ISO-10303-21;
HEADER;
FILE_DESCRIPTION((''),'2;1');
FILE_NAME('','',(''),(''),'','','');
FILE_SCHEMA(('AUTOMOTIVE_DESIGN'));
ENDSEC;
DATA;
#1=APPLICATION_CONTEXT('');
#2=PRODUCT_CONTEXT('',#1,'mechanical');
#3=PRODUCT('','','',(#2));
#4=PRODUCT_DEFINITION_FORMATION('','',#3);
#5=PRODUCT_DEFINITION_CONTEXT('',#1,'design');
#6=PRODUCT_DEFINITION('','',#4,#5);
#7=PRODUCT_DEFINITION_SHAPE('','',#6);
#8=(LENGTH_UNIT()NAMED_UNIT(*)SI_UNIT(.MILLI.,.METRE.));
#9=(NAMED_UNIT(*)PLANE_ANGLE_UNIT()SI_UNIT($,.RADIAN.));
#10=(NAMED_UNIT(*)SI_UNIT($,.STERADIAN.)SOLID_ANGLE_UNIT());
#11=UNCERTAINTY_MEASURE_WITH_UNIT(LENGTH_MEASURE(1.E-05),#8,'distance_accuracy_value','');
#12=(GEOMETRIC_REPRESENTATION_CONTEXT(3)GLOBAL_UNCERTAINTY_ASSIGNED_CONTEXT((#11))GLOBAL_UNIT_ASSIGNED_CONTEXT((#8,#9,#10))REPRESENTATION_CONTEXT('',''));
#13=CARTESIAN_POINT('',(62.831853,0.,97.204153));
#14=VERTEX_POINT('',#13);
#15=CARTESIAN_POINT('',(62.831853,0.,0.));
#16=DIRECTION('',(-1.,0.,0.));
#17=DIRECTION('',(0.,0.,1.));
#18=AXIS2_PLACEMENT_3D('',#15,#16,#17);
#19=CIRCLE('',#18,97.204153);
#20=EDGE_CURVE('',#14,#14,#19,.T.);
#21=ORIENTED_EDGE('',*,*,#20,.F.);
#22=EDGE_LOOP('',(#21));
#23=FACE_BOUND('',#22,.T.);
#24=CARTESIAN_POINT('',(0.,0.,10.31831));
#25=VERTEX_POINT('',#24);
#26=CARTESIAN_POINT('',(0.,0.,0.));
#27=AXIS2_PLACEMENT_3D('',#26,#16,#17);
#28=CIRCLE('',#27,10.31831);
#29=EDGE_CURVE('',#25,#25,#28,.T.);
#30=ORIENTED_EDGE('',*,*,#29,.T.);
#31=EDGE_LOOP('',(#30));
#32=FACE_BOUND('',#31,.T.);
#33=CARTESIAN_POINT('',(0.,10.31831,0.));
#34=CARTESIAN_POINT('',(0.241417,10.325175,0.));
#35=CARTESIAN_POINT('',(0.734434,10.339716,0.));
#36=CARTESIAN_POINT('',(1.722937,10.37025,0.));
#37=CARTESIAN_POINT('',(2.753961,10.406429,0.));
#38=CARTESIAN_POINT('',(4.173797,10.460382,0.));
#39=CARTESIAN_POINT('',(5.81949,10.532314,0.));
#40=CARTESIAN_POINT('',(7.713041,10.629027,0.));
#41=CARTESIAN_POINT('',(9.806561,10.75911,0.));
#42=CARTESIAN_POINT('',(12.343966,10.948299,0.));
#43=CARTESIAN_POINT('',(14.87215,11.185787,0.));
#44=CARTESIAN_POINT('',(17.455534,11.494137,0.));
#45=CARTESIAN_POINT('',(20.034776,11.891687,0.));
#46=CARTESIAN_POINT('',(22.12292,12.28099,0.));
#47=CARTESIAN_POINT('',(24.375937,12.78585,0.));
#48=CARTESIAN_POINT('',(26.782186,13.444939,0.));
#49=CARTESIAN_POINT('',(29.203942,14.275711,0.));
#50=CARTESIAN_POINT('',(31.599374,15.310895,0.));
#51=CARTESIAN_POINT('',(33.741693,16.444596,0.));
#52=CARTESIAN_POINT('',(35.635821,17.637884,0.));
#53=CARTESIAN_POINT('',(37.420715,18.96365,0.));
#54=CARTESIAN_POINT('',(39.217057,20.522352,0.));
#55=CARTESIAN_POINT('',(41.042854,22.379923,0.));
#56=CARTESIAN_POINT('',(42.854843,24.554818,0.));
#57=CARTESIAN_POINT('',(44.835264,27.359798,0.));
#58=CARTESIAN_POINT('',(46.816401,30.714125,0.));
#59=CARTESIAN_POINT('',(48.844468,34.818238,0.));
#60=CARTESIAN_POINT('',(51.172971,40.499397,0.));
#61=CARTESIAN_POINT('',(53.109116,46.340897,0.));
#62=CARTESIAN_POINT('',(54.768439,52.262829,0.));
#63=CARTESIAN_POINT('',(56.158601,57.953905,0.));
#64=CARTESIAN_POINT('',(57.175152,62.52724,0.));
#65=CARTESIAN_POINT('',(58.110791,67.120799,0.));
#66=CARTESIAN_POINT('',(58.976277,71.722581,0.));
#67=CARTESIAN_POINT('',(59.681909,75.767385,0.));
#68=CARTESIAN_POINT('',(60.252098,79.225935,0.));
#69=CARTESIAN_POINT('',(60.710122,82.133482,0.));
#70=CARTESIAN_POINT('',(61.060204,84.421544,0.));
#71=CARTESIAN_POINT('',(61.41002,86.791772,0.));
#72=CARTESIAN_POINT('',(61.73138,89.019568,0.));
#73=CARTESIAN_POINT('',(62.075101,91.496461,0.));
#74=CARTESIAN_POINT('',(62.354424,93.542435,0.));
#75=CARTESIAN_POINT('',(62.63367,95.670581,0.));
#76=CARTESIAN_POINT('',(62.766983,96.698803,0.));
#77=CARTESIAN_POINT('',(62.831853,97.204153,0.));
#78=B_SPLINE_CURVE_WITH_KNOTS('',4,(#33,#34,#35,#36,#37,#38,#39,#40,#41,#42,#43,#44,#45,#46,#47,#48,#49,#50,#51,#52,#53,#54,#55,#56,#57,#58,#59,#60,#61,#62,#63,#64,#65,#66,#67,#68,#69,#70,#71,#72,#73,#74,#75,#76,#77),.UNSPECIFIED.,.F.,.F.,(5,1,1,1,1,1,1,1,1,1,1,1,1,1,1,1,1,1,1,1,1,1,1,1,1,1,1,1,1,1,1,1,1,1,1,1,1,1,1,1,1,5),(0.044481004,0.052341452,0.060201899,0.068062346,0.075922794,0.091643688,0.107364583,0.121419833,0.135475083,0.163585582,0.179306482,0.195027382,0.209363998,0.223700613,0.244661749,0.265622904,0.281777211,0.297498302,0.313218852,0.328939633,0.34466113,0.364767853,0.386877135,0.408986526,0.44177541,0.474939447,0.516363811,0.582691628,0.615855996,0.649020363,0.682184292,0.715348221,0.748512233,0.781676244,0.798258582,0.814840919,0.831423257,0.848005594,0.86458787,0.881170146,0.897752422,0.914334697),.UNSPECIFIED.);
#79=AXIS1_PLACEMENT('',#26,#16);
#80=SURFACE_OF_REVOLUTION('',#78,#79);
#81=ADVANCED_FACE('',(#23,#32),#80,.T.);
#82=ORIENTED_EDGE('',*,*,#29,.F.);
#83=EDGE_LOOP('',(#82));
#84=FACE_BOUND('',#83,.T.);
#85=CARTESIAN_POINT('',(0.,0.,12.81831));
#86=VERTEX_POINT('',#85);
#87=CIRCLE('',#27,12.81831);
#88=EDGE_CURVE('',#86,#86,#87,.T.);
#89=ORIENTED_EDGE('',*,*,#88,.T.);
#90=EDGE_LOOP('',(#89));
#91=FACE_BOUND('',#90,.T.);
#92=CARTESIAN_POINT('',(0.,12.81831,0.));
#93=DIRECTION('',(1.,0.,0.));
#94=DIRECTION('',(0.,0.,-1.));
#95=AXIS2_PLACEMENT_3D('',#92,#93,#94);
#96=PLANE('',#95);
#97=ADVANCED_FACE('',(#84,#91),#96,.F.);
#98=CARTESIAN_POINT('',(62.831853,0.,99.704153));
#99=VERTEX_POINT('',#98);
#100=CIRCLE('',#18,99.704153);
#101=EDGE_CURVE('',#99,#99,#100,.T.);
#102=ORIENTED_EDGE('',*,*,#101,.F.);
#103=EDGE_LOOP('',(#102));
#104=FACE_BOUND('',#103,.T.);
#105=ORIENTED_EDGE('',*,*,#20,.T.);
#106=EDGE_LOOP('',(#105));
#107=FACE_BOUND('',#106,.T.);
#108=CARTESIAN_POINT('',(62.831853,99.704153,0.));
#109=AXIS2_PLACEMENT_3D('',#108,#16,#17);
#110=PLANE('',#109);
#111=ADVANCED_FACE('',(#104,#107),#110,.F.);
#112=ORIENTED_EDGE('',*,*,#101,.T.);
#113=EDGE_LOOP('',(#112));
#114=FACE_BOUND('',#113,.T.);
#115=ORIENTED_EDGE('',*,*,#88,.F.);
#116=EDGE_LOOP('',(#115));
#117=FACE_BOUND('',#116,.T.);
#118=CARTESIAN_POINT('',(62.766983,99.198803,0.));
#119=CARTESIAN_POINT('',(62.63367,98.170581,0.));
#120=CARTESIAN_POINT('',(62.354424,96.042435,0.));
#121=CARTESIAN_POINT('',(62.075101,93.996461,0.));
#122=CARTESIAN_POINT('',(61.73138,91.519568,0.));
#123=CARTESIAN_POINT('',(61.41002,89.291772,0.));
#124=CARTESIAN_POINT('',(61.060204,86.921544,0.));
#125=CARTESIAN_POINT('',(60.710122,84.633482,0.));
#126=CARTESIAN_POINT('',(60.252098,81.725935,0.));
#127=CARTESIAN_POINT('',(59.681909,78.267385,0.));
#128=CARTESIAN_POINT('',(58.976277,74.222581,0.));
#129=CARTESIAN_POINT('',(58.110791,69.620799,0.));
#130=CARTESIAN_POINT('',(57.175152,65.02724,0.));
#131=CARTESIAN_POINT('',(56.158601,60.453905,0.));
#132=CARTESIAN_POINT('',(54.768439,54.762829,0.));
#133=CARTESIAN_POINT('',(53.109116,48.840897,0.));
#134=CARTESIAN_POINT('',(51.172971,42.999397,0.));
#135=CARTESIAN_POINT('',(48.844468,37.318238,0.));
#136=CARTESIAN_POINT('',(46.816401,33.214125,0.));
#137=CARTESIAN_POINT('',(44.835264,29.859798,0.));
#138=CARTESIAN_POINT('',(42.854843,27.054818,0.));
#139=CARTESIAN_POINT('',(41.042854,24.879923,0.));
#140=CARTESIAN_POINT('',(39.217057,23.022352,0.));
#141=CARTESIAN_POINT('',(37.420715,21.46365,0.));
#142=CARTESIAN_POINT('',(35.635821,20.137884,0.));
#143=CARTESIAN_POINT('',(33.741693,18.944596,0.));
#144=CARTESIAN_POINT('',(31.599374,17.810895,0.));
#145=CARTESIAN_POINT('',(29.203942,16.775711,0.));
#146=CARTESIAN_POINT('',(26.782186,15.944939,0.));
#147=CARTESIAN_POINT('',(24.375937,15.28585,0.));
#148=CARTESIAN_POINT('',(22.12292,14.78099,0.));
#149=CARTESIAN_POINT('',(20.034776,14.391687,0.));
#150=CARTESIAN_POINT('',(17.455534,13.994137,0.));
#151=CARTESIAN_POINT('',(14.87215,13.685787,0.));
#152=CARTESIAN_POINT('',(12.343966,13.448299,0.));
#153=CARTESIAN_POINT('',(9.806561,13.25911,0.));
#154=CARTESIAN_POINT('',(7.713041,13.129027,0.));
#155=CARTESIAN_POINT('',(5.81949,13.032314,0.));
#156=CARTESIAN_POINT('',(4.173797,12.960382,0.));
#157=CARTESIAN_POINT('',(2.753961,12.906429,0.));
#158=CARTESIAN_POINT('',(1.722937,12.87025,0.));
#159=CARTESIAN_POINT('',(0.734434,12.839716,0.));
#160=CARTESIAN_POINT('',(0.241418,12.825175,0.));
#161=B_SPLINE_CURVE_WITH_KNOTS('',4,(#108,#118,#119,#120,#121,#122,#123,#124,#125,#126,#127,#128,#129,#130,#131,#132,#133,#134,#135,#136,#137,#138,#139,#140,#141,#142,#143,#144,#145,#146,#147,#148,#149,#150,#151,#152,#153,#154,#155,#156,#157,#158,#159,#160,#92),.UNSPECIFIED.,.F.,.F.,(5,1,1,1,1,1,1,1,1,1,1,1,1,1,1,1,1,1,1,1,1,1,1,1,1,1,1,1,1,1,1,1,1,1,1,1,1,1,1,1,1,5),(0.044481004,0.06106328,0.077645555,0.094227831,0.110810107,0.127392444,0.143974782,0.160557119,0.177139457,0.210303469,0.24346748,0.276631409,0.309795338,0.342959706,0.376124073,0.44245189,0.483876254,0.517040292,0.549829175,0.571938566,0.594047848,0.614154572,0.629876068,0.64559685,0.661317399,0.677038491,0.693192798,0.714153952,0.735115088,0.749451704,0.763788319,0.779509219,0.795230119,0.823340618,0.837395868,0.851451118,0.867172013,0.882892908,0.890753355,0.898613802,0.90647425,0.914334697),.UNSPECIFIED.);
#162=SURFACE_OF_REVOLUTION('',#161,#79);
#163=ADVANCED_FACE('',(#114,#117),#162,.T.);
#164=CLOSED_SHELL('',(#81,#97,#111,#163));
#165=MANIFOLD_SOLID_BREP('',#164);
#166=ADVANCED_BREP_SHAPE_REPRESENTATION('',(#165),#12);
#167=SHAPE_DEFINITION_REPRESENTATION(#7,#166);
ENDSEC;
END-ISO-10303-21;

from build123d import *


with BuildPart() as part:
    # Sketch7 → Revolve1 (revolve)
    with BuildSketch(Plane.XY):
        with BuildLine():
            Line((0, 12.818309886), (0, 10.318309885))
            add(Edge.make_bspline(
                [(0, 10.318309885), (0.241417495, 10.32517476), (0.734433944, 10.339715811), (1.722937152, 10.37024976), (2.753961006, 10.406429018), (4.173796698, 10.460382124), (5.819490093, 10.532314215), (7.713041475, 10.629027344), (9.806560842, 10.759110102), (12.343965648, 10.948299111), (14.872149513, 11.18578719), (17.455534085, 11.494136809), (20.034775627, 11.891687062), (22.122919883, 12.280990003), (24.375936647, 12.785849507), (26.782186189, 13.444939122), (29.20394228, 14.275710799), (31.599374317, 15.310895211), (33.741692526, 16.444596155), (35.635821437, 17.637884373), (37.420714534, 18.963650188), (39.217056869, 20.522352313), (41.042853922, 22.37992281), (42.854842835, 24.55481762), (44.835264408, 27.359797639), (46.816401208, 30.714124754), (48.844467735, 34.818237912), (51.172970998, 40.499397041), (53.10911629, 46.340896677), (54.768438732, 52.262828847), (56.158600941, 57.953904573), (57.175152361, 62.527239728), (58.110791022, 67.120799293), (58.976277277, 71.722581309), (59.681909052, 75.767384908), (60.252098155, 79.225934732), (60.710122374, 82.133482088), (61.060203839, 84.42154378), (61.410020234, 86.79177214), (61.73138015, 89.019567857), (62.075101391, 91.496460827), (62.354424208, 93.542434665), (62.633670193, 95.670580979), (62.766983469, 96.698802786), (62.831853072, 97.204152676)],
                knots=[0.044481004, 0.044481004, 0.044481004, 0.044481004, 0.044481004, 0.052341452, 0.060201899, 0.068062346, 0.075922794, 0.091643688, 0.107364583, 0.121419833, 0.135475083, 0.163585582, 0.179306482, 0.195027382, 0.209363998, 0.223700613, 0.244661749, 0.265622904, 0.281777211, 0.297498302, 0.313218852, 0.328939633, 0.34466113, 0.364767853, 0.386877135, 0.408986526, 0.44177541, 0.474939447, 0.516363811, 0.582691628, 0.615855996, 0.649020363, 0.682184292, 0.715348221, 0.748512233, 0.781676244, 0.798258582, 0.814840919, 0.831423257, 0.848005594, 0.86458787, 0.881170146, 0.897752422, 0.914334697, 0.914334697, 0.914334697, 0.914334697, 0.914334697], degree=4))
            Line((62.831853072, 97.204152676), (62.831853072, 99.704152675))
            add(Edge.make_bspline(
                [(0, 12.818309886), (0.24141751, 12.825174762), (0.734433959, 12.839715812), (1.722937167, 12.870249762), (2.753961021, 12.90642902), (4.173796713, 12.960382125), (5.819490107, 13.032314217), (7.71304149, 13.129027346), (9.806560857, 13.259110104), (12.343965663, 13.448299114), (14.872149528, 13.685787193), (17.455534099, 13.994136812), (20.034775642, 14.391687065), (22.122919897, 14.780990007), (24.375936662, 15.285849511), (26.782186204, 15.944939127), (29.203942294, 16.775710803), (31.599374332, 17.810895216), (33.74169254, 18.94459616), (35.635821451, 20.137884379), (37.420714548, 21.463650194), (39.217056883, 23.022352319), (41.042853936, 24.879922816), (42.854842849, 27.054817626), (44.835264421, 29.859797646), (46.816401221, 33.214124761), (48.844467747, 37.318237919), (51.172971009, 42.999397048), (53.1091163, 48.840896684), (54.768438742, 54.762828854), (56.15860095, 60.45390458), (57.17515237, 65.027239736), (58.11079103, 69.6207993), (58.976277285, 74.222581317), (59.681909059, 78.267384916), (60.252098162, 81.72593474), (60.71012238, 84.633482096), (61.060203845, 86.921543789), (61.41002024, 89.291772149), (61.731380156, 91.519567866), (62.075101397, 93.996460835), (62.354424213, 96.042434673), (62.633670198, 98.170580987), (62.766983474, 99.198802793), (62.831853072, 99.704152675)],
                knots=[0.044481004, 0.044481004, 0.044481004, 0.044481004, 0.044481004, 0.052341452, 0.060201899, 0.068062346, 0.075922794, 0.091643688, 0.107364583, 0.121419833, 0.135475083, 0.163585582, 0.179306482, 0.195027382, 0.209363998, 0.223700613, 0.244661749, 0.265622904, 0.281777211, 0.297498302, 0.313218852, 0.328939633, 0.34466113, 0.364767853, 0.386877135, 0.408986526, 0.44177541, 0.474939447, 0.516363811, 0.582691628, 0.615855996, 0.649020363, 0.682184292, 0.715348221, 0.748512233, 0.781676244, 0.798258582, 0.814840919, 0.831423257, 0.848005594, 0.86458787, 0.881170146, 0.897752422, 0.914334697, 0.914334697, 0.914334697, 0.914334697, 0.914334697], degree=4))
        make_face()
    revolve(axis=Axis((0, 0, 0), (1, 0, 0)))


solid = part.part
